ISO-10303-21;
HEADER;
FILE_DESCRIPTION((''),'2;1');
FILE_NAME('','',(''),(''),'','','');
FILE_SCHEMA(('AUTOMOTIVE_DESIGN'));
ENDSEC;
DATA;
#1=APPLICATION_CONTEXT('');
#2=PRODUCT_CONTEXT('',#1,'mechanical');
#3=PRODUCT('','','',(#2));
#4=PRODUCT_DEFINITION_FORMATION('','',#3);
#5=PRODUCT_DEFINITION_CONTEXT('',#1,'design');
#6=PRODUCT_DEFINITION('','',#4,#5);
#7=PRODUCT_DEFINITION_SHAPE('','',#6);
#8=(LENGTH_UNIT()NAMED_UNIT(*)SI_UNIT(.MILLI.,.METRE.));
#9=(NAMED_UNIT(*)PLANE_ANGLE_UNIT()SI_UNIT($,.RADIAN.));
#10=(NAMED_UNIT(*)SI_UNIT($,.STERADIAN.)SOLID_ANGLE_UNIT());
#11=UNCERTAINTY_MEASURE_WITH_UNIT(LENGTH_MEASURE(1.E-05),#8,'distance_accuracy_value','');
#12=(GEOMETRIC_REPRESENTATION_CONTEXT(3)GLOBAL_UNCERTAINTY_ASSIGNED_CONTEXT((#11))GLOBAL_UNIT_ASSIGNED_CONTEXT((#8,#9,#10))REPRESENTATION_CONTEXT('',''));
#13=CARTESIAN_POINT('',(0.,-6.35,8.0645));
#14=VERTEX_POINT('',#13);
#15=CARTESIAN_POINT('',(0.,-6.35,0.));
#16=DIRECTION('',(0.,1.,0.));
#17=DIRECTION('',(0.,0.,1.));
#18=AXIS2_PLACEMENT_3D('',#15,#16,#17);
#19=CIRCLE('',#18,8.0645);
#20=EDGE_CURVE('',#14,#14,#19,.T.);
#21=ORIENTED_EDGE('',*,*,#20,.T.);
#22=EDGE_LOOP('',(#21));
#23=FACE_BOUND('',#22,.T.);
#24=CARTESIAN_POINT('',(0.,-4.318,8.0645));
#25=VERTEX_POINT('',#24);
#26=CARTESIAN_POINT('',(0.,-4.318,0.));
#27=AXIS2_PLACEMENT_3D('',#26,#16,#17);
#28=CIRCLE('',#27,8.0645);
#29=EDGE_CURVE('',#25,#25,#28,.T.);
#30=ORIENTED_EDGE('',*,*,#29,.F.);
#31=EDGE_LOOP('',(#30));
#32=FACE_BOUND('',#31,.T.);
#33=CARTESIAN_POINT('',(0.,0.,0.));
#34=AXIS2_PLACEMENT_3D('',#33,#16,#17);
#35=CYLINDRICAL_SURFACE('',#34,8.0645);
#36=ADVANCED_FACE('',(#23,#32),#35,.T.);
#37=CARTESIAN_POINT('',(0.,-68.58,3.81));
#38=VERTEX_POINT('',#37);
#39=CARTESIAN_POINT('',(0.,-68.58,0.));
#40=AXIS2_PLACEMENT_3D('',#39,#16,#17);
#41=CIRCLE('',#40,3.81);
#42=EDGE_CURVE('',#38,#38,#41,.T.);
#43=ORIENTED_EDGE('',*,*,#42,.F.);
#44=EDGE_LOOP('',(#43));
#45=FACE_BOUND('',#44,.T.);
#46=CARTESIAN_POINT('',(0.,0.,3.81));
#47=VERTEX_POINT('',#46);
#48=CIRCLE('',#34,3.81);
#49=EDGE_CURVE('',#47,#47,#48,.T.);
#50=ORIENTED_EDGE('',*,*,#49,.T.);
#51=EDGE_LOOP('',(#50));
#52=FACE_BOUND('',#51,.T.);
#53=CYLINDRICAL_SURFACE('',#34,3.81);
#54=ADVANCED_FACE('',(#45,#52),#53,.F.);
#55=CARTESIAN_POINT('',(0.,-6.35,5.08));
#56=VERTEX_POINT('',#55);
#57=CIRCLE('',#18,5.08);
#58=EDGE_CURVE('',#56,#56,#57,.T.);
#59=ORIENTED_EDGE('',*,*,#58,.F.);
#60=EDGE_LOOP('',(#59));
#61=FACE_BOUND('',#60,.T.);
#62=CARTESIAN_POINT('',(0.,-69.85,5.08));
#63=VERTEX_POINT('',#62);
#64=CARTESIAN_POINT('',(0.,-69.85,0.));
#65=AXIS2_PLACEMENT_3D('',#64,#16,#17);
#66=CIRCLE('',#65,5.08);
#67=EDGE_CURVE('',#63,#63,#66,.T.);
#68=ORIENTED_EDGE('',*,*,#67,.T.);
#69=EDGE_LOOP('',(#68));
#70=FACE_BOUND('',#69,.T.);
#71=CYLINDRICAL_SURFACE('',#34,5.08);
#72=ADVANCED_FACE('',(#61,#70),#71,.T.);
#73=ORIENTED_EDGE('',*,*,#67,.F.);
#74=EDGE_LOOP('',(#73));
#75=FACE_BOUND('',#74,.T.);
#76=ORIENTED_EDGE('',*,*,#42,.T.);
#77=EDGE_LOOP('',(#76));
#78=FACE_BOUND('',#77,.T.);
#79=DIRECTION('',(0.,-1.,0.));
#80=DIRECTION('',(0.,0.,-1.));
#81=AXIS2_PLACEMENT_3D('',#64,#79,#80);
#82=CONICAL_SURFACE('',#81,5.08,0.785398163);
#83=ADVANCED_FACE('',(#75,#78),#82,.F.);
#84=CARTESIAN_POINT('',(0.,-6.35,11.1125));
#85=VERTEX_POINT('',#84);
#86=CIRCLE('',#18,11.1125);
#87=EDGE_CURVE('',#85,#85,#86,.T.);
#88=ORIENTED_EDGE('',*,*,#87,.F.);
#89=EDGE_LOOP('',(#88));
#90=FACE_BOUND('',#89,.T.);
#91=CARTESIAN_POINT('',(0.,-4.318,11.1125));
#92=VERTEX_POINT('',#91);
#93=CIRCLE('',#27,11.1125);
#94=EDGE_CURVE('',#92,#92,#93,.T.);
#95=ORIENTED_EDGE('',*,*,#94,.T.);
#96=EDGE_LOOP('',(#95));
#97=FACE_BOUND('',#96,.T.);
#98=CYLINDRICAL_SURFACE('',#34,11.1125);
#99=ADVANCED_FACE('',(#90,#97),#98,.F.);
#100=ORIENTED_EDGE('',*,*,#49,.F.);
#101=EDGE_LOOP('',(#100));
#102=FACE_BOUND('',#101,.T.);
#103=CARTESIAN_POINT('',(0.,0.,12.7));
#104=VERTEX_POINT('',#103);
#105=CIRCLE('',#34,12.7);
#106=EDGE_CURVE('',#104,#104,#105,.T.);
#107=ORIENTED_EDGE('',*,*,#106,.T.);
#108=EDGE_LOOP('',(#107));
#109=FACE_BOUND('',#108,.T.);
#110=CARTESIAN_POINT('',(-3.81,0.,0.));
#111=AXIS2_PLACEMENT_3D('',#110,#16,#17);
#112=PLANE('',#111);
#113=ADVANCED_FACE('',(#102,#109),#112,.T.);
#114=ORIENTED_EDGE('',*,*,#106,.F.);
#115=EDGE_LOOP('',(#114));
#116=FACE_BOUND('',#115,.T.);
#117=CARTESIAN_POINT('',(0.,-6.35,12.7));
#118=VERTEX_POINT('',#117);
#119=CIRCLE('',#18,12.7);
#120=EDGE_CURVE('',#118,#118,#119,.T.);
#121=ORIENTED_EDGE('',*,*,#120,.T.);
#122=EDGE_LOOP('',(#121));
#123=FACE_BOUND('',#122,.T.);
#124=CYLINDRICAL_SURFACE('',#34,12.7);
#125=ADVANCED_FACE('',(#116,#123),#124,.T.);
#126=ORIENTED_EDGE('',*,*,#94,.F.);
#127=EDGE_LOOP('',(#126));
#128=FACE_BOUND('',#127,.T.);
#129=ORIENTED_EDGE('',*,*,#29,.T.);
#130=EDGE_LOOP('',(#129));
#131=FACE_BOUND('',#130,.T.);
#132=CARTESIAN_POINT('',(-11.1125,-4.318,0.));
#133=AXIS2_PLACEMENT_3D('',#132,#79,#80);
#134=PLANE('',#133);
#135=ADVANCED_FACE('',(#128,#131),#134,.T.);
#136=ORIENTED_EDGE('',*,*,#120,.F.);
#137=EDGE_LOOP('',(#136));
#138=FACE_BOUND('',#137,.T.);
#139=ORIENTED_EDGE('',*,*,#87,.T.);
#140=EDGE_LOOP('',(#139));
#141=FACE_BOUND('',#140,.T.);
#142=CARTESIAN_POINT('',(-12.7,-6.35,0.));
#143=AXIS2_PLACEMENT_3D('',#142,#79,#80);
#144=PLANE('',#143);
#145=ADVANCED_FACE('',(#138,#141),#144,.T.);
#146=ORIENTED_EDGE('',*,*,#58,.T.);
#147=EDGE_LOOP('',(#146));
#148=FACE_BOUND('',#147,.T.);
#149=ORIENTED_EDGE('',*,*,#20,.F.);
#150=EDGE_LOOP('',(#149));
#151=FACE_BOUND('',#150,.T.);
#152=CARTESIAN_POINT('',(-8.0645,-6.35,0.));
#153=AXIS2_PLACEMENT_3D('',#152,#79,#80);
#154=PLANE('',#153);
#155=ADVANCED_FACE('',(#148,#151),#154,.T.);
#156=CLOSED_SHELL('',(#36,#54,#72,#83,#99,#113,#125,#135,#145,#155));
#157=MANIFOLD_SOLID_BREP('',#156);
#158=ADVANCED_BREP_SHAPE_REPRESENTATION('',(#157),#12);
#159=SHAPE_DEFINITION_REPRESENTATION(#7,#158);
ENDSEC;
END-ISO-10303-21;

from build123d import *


with BuildPart() as part:
    # Sketch1 → Revolve1 (revolve)
    with BuildSketch(Plane.XY):
        Polygon((-3.81, 0), (-12.7, 0), (-12.7, -6.35), (-11.1125, -6.35), (-11.1125, -4.318), (-8.0645, -4.318), (-8.0645, -6.35), (-5.08, -6.35), (-5.08, -69.85), (-3.81, -68.58), align=None)
    revolve(axis=Axis((0, 0, 0), (0, -1, 0)))


solid = part.part
